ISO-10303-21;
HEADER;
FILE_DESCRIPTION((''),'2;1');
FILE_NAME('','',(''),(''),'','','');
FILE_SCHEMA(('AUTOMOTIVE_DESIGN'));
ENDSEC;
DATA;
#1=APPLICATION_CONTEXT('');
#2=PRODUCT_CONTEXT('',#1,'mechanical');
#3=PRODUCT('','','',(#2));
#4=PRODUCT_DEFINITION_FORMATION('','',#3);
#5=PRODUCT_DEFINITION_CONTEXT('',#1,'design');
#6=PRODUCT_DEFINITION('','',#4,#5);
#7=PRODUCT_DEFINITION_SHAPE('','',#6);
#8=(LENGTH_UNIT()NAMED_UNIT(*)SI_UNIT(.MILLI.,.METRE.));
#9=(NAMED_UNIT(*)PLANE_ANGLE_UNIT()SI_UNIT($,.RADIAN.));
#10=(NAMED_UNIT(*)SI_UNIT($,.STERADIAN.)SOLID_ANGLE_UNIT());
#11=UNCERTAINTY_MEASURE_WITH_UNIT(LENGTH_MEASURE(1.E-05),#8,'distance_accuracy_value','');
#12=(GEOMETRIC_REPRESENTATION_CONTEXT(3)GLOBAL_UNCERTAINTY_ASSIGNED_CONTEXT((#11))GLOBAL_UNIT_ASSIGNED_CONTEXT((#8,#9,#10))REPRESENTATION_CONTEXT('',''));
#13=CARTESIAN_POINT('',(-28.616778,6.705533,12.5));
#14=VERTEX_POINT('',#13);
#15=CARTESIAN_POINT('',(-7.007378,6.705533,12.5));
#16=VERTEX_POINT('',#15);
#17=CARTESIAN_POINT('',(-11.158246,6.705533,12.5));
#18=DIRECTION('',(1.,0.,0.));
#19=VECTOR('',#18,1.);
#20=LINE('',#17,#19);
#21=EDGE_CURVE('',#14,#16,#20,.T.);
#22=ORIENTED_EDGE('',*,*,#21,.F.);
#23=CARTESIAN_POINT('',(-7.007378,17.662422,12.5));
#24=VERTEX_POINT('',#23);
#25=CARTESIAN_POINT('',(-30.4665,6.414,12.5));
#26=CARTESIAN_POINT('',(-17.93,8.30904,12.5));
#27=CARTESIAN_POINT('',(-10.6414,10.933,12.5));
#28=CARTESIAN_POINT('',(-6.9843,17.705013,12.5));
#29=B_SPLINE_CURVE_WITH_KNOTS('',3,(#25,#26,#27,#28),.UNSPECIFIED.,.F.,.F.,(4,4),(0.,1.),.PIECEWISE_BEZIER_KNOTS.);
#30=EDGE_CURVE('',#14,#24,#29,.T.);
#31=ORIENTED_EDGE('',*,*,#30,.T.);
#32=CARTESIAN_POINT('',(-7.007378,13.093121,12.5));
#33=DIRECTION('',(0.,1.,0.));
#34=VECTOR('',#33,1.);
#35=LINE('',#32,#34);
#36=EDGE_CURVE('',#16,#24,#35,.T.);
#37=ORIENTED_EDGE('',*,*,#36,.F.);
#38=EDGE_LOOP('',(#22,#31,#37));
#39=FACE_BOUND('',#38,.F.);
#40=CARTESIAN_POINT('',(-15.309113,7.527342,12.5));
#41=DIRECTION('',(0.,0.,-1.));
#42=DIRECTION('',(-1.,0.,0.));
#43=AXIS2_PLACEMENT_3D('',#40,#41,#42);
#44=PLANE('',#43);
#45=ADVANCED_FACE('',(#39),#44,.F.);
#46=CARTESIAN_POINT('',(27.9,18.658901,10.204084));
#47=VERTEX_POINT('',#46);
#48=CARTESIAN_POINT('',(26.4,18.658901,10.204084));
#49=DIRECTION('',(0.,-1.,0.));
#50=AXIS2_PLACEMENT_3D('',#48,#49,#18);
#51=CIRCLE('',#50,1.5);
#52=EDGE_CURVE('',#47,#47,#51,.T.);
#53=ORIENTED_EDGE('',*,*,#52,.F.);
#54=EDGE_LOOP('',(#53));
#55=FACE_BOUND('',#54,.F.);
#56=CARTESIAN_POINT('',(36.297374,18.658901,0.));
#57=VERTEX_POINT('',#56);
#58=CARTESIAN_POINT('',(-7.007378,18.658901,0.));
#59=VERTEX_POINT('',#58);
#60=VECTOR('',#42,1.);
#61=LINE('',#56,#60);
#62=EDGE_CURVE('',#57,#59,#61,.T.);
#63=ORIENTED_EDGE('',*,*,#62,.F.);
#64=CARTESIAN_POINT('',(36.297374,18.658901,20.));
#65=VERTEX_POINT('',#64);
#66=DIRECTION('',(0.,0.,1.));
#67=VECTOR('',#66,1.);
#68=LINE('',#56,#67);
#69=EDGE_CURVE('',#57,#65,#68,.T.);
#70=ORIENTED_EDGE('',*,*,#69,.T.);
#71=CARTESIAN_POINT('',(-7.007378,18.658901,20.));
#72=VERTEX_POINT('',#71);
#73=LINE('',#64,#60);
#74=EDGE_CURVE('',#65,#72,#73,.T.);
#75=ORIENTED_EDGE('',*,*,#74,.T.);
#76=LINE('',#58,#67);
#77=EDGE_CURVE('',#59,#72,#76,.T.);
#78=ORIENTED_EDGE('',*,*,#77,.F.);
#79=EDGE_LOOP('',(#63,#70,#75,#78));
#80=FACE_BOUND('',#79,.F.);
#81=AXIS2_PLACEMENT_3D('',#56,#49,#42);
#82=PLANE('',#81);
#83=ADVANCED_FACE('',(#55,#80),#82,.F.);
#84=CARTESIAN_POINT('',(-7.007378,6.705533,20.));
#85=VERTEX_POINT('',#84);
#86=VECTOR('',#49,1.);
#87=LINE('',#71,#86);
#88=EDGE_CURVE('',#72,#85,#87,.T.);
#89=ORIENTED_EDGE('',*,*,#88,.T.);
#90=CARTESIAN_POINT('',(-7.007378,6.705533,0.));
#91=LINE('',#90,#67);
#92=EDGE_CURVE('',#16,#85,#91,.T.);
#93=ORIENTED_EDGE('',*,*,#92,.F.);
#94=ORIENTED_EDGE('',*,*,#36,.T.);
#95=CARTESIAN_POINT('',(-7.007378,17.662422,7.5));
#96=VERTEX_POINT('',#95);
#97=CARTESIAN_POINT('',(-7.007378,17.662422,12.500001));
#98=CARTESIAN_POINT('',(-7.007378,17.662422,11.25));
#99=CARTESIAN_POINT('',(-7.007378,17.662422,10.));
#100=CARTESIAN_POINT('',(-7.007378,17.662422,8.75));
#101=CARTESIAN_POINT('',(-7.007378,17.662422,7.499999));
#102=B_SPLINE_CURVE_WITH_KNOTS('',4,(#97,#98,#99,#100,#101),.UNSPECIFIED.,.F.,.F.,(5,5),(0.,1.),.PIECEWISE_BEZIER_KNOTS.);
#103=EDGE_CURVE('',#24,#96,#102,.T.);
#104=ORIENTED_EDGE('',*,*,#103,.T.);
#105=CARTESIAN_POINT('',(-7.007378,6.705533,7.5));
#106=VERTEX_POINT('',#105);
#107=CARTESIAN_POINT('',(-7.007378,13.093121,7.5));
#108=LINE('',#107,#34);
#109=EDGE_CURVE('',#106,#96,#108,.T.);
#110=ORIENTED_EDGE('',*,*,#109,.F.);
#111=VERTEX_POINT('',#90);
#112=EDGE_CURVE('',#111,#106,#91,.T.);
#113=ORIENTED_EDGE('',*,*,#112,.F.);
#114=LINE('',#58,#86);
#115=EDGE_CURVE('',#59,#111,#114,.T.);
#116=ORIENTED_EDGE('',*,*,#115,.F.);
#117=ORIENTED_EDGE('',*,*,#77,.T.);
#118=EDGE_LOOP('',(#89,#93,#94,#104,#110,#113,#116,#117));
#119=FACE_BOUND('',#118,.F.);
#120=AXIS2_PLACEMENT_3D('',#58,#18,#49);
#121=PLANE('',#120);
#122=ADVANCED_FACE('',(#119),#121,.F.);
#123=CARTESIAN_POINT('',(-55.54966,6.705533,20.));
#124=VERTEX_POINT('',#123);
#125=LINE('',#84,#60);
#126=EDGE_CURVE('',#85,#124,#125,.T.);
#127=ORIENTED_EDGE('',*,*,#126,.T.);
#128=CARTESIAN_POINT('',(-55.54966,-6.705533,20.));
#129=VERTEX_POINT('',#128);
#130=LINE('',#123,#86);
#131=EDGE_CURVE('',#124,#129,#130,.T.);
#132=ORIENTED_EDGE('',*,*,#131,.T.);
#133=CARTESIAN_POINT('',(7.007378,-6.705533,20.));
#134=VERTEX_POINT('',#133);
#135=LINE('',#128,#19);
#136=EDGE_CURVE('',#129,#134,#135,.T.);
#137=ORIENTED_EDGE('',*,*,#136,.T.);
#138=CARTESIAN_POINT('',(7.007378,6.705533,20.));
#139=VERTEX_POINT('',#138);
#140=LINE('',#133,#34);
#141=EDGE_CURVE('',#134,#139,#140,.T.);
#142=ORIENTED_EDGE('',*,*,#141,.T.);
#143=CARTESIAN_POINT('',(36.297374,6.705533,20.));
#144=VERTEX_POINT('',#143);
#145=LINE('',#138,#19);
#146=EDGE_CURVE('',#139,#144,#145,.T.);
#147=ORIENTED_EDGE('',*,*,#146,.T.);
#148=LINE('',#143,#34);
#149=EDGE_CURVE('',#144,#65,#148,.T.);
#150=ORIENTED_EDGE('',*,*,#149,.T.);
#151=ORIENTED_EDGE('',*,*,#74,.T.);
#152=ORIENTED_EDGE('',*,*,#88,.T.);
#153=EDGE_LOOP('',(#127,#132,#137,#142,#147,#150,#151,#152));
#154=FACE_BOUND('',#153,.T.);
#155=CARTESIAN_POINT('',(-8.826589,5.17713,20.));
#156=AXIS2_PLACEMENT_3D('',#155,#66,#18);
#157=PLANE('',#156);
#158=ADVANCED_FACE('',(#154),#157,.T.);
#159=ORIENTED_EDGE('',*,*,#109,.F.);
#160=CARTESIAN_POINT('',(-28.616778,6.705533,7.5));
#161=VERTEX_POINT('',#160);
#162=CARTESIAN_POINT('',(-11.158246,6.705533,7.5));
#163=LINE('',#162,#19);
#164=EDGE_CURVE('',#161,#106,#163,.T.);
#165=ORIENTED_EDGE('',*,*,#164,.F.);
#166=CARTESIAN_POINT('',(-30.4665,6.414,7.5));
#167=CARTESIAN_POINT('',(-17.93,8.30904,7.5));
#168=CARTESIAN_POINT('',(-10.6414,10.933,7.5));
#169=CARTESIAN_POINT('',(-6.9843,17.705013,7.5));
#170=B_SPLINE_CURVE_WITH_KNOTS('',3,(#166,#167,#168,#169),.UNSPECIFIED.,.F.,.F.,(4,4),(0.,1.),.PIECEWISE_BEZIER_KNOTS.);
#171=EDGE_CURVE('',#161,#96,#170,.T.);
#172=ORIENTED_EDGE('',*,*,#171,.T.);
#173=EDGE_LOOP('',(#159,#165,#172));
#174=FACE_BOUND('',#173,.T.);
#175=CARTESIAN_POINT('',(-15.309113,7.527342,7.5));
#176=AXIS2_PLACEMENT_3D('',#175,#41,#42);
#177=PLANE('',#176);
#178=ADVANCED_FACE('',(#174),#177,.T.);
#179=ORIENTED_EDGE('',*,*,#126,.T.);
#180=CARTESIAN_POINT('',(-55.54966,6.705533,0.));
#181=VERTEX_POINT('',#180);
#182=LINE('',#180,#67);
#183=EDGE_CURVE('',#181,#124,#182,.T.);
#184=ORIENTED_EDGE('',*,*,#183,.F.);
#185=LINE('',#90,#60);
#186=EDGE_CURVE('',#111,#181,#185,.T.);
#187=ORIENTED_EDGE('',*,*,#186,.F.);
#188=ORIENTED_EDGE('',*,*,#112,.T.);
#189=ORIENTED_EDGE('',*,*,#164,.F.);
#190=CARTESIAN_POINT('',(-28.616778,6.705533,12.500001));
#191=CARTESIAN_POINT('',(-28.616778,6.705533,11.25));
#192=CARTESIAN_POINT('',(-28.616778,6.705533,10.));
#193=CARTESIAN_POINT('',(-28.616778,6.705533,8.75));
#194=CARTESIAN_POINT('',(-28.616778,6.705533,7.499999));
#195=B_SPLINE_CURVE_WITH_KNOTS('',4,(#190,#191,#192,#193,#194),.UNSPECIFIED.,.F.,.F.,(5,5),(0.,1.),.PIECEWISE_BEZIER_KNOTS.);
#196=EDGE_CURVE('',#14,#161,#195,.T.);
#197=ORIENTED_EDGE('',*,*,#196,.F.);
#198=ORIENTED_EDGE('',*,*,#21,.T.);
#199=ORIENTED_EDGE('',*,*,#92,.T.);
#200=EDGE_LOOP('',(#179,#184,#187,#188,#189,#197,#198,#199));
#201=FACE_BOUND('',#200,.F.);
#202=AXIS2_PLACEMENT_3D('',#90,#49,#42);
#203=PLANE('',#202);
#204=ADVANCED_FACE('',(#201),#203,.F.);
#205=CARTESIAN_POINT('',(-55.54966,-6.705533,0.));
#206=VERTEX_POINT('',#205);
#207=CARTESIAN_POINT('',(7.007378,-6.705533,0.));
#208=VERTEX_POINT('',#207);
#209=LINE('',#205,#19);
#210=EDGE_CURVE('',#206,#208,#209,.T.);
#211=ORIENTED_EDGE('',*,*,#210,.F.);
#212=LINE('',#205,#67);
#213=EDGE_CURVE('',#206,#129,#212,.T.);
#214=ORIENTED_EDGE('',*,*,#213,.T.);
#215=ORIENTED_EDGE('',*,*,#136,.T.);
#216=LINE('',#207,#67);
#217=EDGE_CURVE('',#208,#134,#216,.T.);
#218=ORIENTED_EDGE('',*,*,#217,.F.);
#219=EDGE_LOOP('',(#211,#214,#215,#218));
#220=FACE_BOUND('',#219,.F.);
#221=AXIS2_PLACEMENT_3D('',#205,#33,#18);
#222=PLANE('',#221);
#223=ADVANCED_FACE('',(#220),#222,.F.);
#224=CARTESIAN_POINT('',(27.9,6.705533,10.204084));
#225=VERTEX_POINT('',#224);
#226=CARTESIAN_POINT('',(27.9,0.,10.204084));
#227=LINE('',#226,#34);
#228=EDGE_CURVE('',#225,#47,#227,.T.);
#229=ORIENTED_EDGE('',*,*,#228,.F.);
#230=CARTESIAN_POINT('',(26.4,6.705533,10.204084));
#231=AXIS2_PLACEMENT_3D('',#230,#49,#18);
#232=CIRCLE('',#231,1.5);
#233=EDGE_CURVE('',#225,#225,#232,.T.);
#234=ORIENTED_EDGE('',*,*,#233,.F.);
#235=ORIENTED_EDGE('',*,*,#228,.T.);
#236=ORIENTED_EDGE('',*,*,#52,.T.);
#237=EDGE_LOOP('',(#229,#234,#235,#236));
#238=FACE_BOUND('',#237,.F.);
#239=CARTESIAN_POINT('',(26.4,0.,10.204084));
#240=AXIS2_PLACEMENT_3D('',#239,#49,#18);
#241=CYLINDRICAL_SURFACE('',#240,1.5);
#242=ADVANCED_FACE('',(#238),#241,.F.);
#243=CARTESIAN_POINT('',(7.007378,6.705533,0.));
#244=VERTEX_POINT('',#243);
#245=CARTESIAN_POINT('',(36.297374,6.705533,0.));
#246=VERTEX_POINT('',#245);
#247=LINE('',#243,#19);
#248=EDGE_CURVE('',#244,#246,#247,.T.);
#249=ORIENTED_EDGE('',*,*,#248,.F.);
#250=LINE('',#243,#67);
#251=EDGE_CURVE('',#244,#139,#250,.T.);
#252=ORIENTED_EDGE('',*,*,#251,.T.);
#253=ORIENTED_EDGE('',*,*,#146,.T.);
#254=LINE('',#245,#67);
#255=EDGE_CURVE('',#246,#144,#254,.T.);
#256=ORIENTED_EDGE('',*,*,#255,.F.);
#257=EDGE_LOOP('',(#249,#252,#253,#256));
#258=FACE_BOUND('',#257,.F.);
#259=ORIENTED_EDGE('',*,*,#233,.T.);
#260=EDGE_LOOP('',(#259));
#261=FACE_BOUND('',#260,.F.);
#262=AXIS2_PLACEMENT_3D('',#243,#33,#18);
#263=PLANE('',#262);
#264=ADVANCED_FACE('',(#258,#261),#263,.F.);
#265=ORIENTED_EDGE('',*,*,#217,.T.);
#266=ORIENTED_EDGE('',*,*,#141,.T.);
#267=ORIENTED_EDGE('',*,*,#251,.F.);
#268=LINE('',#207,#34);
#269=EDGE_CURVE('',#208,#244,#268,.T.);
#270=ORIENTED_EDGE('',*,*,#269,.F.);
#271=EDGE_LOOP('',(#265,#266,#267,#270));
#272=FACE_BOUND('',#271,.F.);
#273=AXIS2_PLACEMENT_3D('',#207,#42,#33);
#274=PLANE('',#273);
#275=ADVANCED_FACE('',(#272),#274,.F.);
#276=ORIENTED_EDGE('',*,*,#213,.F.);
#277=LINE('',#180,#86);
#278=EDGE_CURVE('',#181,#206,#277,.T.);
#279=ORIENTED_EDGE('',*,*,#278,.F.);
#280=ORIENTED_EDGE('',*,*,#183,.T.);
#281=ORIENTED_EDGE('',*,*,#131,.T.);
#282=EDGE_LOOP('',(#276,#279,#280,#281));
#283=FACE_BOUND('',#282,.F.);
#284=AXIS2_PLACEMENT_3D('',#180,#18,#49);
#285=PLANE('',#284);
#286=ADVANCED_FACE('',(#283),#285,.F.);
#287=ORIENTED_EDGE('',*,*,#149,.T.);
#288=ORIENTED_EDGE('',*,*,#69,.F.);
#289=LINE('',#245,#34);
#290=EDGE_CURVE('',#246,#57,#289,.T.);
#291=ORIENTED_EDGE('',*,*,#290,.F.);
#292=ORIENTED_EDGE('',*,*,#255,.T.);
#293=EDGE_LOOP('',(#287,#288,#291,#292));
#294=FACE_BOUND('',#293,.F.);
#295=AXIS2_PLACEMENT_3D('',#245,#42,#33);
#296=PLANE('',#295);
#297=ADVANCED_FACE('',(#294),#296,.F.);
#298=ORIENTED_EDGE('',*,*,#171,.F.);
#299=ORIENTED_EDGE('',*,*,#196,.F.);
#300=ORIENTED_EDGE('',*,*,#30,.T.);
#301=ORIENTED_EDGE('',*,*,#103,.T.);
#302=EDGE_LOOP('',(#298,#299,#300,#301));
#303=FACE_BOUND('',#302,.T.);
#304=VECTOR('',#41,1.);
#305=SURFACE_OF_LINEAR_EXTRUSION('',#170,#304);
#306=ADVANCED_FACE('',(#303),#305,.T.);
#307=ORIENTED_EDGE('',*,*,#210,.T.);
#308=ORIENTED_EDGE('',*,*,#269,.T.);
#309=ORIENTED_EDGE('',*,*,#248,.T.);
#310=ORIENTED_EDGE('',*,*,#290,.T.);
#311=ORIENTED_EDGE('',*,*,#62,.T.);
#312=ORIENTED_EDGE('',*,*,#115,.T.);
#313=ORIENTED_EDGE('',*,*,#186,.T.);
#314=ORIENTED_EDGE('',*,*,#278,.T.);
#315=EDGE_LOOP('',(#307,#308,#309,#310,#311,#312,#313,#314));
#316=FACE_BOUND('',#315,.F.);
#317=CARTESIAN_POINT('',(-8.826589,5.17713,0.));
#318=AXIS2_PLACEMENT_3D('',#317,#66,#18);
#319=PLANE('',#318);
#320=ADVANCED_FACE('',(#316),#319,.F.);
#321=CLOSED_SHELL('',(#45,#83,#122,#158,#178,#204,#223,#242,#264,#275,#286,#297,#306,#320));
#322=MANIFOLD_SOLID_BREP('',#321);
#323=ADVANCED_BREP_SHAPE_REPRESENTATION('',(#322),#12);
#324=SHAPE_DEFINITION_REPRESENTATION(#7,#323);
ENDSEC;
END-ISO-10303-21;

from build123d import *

# Parameters (mm, degrees)
PAD_DEPTH    = 20
SKETCH001_R  = 1.5
POCKET_DEPTH = 35
PAD001_DEPTH = 5


with BuildPart() as part:
    # Sketch → Pad (new body)
    with BuildSketch(Plane.XY):
        Polygon((-55.54966, 6.705533), (-55.54966, -6.705533), (7.007378, -6.705533), (7.007378, 6.705533), (36.297374, 6.705533), (36.297374, 18.658901), (-7.007378, 18.658901), (-7.007378, 6.705533), align=None)
    extrude(amount=PAD_DEPTH)

    # Sketch001 → Pocket (cut)
    with BuildSketch(Plane.XZ):
        with Locations((26.4, 10.204084)):
            Circle(SKETCH001_R)
    extrude(amount=-POCKET_DEPTH, mode=Mode.SUBTRACT)

    # Sketch002 → Pad001 (join)
    with BuildSketch(Plane.XY.offset(7.5)):
        with BuildLine():
            add(Edge.make_bspline(
                [(-30.4665, 6.414), (-17.93, 8.30904), (-10.6414, 10.933), (-6.9843, 17.705013)],
                knots=[0, 0, 0, 0, 1, 1, 1, 1], degree=3))
            Line((-6.9843, 17.705013), (-3.352778, 3.207006))
            Line((-3.352778, 3.207006), (-29.883389, 3.207006))
            Line((-29.883389, 3.207006), (-30.4665, 6.414))
        make_face()
    extrude(amount=PAD001_DEPTH)


solid = part.part
